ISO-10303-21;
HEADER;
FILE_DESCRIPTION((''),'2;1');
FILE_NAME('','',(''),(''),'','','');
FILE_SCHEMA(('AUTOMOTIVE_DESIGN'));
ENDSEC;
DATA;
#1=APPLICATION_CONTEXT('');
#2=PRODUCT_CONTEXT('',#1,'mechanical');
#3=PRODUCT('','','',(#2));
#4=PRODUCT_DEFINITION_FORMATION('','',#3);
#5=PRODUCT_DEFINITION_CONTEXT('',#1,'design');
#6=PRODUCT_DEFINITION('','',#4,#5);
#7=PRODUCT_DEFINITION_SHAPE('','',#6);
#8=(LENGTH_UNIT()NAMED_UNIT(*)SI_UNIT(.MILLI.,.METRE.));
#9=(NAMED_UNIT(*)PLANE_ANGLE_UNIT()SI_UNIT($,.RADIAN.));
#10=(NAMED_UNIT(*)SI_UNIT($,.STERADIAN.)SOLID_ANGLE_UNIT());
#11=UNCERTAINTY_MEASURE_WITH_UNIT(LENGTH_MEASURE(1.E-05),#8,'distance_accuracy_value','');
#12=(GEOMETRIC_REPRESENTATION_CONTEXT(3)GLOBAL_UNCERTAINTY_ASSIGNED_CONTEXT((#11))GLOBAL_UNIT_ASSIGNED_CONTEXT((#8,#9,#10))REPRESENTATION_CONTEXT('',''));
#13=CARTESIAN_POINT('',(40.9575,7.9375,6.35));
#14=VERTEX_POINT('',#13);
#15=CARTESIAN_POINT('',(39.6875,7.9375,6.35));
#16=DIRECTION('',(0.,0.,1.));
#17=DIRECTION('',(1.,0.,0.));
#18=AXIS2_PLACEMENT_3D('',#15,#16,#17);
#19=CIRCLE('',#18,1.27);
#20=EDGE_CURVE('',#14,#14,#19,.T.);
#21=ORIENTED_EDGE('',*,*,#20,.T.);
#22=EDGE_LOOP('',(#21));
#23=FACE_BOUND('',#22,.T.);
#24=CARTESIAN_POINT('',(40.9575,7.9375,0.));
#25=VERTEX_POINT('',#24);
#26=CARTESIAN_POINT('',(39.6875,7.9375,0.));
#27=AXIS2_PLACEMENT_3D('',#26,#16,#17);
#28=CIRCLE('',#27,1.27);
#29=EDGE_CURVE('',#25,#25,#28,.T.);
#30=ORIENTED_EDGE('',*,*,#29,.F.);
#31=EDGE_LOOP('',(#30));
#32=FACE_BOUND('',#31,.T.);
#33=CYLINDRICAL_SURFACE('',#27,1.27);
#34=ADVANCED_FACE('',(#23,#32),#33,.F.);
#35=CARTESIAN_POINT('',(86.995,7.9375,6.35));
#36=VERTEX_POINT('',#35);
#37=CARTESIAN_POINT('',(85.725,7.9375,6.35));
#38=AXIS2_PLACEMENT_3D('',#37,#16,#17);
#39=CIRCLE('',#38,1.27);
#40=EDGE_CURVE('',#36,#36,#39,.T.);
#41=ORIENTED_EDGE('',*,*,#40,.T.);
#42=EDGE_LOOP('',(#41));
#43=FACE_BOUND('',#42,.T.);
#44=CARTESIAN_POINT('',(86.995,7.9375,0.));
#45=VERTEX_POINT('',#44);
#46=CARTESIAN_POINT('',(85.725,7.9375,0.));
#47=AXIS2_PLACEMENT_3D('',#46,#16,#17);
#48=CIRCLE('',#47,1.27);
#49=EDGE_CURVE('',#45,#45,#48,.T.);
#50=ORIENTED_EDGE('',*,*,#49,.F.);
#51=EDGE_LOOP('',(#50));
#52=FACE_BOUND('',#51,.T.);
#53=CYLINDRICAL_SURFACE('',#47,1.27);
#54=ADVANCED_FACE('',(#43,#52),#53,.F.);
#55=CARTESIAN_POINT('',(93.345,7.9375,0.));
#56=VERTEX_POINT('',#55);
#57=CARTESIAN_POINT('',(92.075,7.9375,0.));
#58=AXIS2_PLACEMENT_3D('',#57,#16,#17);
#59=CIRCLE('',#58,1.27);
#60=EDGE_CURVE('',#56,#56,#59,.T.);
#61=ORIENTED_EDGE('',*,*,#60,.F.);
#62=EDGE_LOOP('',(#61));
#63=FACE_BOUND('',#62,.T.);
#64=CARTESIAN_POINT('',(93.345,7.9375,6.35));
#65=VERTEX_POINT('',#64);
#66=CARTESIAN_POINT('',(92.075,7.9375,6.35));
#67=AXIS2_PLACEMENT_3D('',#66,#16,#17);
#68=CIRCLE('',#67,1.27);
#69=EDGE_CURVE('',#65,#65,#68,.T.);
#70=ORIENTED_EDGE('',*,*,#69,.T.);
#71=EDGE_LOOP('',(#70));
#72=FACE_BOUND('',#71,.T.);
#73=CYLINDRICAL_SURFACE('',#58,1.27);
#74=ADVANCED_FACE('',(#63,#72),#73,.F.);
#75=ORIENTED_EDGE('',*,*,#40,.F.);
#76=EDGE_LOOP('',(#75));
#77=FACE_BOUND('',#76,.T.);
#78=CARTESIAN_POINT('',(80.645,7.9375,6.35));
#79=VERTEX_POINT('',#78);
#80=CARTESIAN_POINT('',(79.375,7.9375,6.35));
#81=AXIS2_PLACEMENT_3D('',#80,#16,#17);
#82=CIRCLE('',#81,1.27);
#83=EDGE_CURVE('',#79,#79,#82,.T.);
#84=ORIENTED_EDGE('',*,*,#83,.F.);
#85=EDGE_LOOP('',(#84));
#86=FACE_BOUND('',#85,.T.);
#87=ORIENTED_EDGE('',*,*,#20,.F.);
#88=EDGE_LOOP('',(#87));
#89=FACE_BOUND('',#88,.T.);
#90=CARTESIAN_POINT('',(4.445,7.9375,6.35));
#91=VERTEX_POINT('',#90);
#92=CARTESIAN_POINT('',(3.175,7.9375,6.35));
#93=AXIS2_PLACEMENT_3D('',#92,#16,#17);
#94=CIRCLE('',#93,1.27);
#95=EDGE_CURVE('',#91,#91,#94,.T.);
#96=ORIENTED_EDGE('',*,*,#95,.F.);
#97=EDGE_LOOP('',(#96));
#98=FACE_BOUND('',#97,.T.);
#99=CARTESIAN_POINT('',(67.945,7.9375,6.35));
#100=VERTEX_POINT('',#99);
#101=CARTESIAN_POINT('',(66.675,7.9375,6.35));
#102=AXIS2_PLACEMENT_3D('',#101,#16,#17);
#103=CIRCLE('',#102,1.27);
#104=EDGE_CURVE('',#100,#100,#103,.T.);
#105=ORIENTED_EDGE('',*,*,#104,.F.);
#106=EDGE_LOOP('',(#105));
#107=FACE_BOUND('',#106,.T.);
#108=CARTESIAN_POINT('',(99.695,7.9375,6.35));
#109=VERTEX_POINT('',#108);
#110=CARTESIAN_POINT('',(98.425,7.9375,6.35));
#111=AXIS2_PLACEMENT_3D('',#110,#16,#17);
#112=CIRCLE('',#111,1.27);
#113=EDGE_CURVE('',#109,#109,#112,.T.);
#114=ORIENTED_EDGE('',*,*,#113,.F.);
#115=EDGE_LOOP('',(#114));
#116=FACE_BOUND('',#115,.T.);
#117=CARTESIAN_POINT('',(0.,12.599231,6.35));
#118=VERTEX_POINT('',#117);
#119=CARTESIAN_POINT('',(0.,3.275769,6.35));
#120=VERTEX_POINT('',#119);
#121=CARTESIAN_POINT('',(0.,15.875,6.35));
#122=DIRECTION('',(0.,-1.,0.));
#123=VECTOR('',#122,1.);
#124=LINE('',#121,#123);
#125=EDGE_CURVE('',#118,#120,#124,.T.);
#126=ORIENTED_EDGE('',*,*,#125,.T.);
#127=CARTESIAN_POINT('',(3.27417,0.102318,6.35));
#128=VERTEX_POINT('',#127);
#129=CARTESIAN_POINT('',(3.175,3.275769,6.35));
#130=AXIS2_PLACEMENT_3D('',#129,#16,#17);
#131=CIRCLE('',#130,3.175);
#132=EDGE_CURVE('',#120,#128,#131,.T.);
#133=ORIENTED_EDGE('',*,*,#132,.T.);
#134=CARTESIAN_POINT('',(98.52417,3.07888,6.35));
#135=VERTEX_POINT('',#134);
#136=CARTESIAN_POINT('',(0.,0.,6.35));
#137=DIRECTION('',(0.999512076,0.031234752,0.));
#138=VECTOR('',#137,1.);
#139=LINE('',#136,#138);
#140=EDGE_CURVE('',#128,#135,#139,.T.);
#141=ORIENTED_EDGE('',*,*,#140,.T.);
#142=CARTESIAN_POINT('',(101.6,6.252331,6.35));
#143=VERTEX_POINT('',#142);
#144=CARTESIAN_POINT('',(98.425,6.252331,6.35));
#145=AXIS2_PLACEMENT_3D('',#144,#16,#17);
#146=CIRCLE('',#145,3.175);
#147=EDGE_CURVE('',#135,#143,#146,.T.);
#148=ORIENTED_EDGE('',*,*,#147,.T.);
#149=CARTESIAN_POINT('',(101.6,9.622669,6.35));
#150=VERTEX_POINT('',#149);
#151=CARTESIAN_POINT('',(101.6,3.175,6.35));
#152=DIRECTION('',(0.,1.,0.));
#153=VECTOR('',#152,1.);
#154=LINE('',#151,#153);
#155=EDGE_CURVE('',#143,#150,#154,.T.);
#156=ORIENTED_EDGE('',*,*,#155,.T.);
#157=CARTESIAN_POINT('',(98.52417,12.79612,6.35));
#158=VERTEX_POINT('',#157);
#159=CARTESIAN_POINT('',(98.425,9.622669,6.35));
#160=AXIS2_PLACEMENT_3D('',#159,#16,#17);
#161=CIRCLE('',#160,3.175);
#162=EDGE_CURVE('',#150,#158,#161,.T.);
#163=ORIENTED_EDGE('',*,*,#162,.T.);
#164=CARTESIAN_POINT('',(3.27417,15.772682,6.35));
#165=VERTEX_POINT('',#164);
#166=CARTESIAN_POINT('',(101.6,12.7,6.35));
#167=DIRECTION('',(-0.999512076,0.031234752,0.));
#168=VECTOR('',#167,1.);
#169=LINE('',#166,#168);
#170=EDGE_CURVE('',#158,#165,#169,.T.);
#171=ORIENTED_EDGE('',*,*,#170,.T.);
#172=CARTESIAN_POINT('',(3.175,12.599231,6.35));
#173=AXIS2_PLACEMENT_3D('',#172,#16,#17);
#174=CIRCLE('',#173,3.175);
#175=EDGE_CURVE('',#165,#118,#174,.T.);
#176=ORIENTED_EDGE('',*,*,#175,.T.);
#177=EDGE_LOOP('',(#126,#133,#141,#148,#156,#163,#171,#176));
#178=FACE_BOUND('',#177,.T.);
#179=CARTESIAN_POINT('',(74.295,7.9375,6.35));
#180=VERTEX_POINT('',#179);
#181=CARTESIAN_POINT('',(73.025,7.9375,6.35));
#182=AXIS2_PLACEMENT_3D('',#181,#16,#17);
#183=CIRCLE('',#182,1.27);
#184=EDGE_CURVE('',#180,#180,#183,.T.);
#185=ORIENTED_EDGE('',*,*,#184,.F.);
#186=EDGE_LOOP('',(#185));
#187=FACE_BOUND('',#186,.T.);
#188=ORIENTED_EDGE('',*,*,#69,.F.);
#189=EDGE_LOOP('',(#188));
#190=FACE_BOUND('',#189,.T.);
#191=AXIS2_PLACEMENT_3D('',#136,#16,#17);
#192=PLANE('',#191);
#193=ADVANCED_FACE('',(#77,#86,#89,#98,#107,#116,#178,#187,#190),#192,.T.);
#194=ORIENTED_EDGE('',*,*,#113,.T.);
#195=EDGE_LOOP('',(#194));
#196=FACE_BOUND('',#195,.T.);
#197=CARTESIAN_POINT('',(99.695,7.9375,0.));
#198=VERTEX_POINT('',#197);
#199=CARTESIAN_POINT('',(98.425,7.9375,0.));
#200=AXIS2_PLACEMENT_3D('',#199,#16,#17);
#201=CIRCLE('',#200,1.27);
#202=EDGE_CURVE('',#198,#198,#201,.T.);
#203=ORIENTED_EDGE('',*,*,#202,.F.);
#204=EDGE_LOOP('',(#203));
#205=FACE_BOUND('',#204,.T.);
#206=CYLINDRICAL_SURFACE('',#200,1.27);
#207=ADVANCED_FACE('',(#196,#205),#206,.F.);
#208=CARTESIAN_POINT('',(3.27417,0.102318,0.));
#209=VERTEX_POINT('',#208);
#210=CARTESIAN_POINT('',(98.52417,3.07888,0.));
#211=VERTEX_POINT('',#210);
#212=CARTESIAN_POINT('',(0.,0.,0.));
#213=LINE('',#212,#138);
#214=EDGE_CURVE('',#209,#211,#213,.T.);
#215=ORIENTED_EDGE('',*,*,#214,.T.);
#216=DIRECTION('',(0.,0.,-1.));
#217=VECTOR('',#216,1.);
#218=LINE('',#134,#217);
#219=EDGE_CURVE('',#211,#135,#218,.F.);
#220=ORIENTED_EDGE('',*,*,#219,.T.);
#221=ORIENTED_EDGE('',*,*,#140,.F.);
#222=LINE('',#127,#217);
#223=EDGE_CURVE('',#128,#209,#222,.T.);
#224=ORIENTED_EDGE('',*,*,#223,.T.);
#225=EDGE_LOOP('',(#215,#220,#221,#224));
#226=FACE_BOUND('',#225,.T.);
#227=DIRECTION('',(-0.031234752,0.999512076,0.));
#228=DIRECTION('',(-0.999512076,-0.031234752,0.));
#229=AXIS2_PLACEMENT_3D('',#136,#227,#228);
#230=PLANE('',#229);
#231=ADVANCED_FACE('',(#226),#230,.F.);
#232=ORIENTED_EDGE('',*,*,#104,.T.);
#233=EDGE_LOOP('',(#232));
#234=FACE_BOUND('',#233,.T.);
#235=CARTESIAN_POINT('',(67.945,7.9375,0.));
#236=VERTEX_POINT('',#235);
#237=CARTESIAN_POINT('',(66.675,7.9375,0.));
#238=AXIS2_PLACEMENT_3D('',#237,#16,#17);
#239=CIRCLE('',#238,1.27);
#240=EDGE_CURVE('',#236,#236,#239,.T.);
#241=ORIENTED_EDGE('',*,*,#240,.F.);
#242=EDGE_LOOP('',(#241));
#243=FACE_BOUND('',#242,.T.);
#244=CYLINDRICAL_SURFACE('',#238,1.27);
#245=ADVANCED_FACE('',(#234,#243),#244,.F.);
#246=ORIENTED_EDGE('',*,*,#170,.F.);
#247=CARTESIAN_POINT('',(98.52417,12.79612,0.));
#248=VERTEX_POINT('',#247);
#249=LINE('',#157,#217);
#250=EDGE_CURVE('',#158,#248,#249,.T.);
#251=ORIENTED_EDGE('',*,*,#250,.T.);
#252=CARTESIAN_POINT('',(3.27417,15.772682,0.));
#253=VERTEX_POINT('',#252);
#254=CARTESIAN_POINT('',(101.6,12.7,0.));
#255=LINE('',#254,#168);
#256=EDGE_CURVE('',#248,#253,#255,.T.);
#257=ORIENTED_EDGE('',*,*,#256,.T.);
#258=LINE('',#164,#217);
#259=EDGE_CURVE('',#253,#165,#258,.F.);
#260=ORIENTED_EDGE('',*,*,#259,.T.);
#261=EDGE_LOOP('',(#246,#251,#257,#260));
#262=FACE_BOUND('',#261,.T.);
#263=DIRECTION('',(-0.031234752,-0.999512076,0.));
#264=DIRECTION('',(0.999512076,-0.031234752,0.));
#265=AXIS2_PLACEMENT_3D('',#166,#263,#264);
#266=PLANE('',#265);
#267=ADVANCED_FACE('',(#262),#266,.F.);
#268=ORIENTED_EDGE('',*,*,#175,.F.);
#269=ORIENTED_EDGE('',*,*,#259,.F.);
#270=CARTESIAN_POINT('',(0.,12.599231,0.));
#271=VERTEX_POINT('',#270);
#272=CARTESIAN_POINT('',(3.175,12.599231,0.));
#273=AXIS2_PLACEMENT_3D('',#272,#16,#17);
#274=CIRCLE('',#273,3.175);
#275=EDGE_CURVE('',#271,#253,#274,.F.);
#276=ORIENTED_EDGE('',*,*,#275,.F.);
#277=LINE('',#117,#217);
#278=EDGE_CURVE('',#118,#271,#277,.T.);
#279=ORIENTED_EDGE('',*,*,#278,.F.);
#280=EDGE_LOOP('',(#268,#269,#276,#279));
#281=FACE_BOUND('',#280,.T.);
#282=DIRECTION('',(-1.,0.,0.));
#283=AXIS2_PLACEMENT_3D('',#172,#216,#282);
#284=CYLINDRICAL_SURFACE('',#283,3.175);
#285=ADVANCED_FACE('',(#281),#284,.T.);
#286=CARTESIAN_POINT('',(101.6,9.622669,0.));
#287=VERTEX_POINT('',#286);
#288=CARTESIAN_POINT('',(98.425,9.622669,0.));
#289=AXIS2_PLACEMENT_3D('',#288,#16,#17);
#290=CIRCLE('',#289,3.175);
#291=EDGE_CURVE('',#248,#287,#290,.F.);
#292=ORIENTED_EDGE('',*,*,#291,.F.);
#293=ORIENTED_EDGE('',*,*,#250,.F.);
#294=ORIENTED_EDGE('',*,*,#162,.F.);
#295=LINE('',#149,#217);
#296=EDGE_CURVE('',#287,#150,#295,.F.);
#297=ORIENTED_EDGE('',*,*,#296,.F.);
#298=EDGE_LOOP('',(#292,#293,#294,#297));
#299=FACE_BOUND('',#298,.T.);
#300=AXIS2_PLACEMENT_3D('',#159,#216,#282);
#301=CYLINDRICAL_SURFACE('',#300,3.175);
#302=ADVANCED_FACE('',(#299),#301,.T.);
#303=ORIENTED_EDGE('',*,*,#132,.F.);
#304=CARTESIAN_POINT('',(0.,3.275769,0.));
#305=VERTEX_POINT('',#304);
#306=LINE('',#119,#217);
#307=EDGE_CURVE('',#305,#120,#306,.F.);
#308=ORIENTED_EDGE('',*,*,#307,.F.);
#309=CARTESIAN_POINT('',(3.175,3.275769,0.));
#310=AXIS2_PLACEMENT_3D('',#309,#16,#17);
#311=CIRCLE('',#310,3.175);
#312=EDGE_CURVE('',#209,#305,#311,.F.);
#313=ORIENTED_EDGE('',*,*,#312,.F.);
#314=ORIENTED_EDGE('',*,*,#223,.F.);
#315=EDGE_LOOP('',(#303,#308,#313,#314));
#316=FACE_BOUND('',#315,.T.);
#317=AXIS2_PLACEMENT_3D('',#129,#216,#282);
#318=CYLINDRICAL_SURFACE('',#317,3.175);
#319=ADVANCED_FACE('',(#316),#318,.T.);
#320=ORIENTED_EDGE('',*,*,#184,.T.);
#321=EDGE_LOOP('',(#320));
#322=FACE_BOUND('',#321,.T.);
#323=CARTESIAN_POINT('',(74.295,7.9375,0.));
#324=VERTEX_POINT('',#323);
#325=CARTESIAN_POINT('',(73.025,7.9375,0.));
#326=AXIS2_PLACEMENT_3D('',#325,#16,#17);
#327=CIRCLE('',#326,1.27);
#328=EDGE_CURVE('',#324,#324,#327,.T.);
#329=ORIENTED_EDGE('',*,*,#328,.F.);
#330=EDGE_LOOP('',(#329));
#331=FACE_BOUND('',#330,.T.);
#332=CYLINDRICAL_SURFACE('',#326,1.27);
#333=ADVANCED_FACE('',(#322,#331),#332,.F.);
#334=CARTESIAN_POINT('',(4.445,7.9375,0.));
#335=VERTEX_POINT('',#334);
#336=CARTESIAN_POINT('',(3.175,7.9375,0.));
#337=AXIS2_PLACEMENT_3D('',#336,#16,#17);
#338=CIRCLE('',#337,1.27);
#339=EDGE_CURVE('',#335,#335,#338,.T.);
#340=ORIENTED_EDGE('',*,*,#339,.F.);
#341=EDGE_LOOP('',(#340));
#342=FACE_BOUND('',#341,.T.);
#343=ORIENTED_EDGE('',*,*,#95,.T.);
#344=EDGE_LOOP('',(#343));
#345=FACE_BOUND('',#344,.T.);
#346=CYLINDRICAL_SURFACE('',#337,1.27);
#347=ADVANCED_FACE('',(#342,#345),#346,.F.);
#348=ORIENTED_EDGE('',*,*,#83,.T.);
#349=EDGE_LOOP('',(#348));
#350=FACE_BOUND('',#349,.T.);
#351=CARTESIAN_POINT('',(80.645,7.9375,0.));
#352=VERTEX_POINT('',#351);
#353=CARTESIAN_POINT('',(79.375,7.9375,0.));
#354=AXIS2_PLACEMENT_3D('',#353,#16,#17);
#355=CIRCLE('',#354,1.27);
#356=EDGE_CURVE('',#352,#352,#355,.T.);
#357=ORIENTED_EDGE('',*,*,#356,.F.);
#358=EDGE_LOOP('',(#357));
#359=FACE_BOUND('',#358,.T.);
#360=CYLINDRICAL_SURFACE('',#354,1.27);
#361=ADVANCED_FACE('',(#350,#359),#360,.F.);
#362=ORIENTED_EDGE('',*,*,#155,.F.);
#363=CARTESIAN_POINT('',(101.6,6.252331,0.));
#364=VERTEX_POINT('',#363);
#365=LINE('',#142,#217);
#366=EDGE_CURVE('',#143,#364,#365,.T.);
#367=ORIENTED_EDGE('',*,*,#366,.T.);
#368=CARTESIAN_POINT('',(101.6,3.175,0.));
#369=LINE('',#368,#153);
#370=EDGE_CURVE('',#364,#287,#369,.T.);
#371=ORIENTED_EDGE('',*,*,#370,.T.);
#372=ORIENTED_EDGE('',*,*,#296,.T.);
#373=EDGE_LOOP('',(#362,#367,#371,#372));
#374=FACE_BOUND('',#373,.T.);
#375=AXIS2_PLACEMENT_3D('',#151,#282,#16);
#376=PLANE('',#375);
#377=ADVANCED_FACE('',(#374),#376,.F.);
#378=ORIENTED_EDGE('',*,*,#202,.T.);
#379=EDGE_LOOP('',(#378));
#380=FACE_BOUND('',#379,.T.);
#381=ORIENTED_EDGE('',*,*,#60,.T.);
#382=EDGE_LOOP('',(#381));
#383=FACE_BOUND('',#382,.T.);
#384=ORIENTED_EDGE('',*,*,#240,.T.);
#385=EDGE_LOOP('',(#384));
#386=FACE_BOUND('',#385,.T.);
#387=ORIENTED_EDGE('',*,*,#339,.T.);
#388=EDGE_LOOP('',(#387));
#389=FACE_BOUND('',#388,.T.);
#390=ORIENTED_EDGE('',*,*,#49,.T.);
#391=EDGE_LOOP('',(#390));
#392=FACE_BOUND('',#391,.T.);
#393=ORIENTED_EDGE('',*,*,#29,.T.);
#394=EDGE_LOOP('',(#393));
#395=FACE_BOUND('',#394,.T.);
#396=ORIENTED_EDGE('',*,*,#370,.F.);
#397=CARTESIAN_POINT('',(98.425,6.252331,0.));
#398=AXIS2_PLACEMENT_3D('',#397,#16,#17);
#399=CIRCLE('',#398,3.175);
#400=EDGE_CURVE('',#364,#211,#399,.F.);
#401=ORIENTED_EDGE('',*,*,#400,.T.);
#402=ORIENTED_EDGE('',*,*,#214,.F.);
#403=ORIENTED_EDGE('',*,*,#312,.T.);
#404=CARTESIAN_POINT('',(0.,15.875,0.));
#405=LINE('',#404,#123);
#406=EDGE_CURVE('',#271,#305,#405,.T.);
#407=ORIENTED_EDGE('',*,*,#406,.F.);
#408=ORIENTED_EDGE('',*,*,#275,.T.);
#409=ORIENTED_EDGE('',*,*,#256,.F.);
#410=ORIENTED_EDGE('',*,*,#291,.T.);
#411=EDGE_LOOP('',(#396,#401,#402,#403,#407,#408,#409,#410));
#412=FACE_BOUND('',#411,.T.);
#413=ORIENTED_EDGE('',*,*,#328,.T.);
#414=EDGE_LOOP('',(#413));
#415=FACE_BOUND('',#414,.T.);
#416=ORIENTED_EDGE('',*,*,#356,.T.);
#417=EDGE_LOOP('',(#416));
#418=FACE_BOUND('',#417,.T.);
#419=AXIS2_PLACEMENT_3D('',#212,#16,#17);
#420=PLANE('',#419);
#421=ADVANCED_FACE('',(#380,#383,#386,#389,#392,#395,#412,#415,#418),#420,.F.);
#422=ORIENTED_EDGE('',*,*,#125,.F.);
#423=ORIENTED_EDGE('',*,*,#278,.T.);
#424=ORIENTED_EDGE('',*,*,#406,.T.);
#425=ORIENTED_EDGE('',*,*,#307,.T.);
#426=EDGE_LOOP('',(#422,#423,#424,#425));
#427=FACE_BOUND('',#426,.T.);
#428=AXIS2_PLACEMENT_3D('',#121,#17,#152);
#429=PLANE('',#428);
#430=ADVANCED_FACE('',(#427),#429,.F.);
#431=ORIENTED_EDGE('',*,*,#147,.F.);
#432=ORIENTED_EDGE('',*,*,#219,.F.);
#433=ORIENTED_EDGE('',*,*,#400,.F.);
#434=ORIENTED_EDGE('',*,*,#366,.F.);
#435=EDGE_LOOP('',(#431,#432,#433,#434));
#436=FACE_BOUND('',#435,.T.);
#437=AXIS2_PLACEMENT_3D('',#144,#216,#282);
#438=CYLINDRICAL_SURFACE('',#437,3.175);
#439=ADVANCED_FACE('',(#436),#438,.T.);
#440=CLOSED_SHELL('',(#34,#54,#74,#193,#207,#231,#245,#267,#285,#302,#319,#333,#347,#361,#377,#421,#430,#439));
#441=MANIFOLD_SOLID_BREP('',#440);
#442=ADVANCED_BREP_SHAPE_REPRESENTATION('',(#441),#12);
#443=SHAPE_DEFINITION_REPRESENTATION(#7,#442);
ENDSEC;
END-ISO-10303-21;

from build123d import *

# Parameters (mm, degrees)
BOSS_EXTRUDE1_DEPTH = 6.35
SKETCH2_R           = 1.27
CUT_EXTRUDE1_DEPTH  = 7.35
LPATTERN1_COUNT     = 6
LPATTERN1_PITCH     = 6.35
SKETCH4_R           = 1.27
CUT_EXTRUDE2_DEPTH  = 7.35
FILLET1_R           = 3.175


with BuildPart() as part:
    # Sketch1 → Boss-Extrude1 (new body)
    with BuildSketch(Plane.XY):
        Polygon((0, 0), (101.6, 3.175), (101.6, 12.7), (0, 15.875), align=None)
    extrude(amount=BOSS_EXTRUDE1_DEPTH)

    # Sketch2 → Cut-Extrude1 (cut, through all)
    with BuildSketch(Plane.XY.offset(6.35)):
        with Locations((98.425, 7.9375)):
            Circle(SKETCH2_R)
    cut_extrude1 = extrude(amount=-CUT_EXTRUDE1_DEPTH, mode=Mode.SUBTRACT)

    # LPattern1: Cut-Extrude1 ×6
    with Locations(*[(-i * LPATTERN1_PITCH, 0, 0) for i in range(1, LPATTERN1_COUNT)]):
        add(cut_extrude1, mode=Mode.SUBTRACT)

    # Sketch4 → Cut-Extrude2 (cut, through all)
    with BuildSketch(Plane.XY.offset(6.35)):
        with Locations((3.175, 7.9375)):
            Circle(SKETCH4_R)
        with Locations((39.6875, 7.9375)):
            Circle(SKETCH4_R)
    extrude(amount=-CUT_EXTRUDE2_DEPTH, mode=Mode.SUBTRACT)

    # Fillet1
    fillet1_edges = [part.edges().sort_by_distance(p)[0] for p in [
        (0, 15.875, 3.175),
        (101.6, 12.7, 3.175),
        (101.6, 3.175, 3.175),
        (0, 0, 3.175),
    ]]
    fillet(fillet1_edges, radius=FILLET1_R)


solid = part.part
